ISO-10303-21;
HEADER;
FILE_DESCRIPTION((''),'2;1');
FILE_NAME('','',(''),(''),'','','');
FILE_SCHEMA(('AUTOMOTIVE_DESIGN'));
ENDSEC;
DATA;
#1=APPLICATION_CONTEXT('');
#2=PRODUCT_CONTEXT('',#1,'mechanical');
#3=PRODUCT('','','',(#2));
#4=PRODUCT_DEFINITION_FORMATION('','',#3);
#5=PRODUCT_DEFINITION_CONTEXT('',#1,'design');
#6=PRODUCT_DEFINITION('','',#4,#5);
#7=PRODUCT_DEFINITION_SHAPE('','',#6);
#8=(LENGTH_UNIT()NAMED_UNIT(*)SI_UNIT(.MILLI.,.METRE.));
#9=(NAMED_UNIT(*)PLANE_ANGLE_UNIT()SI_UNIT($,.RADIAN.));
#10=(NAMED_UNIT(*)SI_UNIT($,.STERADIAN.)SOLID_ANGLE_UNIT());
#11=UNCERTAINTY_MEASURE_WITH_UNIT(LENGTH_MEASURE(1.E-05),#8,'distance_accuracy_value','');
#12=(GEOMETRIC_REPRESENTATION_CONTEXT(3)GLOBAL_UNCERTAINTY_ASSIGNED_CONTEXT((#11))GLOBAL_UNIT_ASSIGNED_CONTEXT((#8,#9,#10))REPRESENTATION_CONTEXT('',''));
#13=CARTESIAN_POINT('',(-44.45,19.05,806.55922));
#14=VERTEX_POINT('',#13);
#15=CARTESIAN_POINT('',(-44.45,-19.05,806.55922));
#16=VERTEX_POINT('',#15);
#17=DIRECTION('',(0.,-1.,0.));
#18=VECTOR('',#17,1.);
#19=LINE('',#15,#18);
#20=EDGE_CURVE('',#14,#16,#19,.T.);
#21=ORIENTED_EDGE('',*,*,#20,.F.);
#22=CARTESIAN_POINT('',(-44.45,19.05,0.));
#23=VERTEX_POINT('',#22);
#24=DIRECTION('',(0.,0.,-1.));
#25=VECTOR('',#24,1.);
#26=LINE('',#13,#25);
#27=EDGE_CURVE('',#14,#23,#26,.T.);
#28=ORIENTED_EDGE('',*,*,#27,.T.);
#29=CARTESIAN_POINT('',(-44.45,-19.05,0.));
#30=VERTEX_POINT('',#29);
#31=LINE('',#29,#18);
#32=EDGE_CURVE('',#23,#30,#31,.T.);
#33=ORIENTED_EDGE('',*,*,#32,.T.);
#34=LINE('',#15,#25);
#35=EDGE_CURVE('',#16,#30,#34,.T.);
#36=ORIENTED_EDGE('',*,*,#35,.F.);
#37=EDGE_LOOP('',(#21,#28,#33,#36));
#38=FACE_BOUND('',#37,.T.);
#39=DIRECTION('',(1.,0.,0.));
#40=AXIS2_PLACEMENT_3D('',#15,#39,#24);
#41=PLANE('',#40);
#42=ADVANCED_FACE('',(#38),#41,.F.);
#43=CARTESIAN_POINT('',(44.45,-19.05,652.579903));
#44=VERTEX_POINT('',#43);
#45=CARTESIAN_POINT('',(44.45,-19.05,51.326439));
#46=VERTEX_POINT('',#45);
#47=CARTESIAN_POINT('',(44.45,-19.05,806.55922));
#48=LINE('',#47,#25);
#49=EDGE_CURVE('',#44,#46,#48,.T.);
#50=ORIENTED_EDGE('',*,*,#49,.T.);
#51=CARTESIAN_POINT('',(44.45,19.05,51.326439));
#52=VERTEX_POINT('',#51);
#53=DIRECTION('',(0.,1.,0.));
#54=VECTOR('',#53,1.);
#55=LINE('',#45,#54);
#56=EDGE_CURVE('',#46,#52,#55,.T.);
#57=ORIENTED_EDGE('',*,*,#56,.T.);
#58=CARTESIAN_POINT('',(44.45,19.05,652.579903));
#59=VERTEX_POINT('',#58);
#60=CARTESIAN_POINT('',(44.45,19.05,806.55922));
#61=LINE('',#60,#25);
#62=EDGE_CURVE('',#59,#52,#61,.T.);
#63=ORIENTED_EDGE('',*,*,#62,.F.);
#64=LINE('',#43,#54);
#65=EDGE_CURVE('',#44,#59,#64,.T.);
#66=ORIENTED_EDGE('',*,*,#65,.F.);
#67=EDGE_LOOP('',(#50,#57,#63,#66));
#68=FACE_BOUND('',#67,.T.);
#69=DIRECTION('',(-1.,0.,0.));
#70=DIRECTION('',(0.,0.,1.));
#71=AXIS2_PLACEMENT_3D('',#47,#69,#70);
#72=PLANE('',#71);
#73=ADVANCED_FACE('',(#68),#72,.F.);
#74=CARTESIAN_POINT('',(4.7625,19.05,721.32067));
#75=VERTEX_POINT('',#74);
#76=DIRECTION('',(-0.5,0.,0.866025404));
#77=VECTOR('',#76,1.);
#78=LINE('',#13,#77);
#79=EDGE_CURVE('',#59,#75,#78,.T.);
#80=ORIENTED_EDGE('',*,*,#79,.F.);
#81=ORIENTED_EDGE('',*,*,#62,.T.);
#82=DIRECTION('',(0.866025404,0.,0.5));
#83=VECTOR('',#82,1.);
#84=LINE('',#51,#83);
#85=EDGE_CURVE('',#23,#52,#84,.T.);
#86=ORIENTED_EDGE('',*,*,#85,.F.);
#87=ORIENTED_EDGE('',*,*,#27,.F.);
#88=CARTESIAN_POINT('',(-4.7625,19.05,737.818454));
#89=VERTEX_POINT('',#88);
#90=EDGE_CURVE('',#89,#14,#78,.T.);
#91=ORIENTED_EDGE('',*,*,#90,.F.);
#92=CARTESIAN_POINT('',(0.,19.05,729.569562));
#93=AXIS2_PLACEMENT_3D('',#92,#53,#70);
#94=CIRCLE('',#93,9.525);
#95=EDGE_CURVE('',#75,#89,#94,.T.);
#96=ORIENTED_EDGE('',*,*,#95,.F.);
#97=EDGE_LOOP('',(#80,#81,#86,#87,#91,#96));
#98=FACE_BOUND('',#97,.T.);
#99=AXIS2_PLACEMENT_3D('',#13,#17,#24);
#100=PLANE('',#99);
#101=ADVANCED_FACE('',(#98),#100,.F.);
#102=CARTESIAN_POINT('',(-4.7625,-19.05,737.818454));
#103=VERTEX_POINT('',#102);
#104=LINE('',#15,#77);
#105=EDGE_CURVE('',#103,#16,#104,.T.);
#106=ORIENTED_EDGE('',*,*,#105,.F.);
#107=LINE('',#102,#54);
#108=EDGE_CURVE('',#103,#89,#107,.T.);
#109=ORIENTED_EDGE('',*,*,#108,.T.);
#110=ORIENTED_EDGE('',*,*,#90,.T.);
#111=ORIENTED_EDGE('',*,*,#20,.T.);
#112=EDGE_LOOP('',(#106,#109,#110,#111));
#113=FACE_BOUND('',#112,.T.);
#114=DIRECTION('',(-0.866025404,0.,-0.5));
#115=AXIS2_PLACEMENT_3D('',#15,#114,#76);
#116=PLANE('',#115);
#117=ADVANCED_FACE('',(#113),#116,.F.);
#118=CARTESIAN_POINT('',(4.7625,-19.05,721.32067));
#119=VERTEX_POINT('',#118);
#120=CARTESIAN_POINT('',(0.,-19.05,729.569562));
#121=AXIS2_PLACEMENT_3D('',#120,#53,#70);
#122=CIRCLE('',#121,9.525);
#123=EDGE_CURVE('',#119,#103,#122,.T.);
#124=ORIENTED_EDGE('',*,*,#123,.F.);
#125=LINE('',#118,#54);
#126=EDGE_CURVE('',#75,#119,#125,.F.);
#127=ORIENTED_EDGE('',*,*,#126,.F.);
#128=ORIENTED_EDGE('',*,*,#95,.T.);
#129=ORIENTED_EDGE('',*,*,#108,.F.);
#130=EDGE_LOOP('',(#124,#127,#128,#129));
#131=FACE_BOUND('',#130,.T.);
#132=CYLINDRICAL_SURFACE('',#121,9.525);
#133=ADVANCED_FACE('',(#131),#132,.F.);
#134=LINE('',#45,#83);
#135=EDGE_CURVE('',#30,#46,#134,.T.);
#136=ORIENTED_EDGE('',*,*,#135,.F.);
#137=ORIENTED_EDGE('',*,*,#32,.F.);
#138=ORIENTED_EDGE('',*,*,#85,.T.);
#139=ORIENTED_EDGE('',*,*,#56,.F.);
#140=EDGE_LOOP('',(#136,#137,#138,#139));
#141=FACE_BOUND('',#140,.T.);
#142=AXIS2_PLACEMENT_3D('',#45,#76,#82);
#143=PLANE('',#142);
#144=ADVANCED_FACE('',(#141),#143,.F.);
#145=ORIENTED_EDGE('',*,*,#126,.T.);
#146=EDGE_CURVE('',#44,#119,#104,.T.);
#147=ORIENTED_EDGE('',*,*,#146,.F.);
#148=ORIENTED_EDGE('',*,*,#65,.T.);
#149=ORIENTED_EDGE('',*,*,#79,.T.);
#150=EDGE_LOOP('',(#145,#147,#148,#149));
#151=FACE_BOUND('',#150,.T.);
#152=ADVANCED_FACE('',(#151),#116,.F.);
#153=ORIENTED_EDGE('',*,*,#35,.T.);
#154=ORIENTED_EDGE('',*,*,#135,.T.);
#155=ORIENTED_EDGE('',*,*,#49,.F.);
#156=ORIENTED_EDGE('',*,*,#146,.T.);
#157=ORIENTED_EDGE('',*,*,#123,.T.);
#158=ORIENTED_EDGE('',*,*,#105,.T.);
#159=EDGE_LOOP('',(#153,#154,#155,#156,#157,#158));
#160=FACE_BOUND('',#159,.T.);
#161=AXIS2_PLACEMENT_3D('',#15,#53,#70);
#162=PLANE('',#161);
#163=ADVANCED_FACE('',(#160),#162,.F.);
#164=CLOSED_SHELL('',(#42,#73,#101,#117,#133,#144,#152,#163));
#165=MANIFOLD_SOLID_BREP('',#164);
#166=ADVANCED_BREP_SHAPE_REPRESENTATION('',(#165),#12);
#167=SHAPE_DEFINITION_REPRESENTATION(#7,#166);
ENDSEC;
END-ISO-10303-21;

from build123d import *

# Parameters (mm, degrees)
SKETCH1_W           = 88.9
SKETCH1_H           = 38.1
BOSS_EXTRUDE1_DEPTH = 806.55922
CUT_EXTRUDE1_DEPTH  = 39.1
SKETCH3_R           = 9.525
CUT_EXTRUDE2_DEPTH  = 39.1


with BuildPart() as part:
    # Sketch1 → Boss-Extrude1 (new body)
    with BuildSketch(Plane.XY):
        Rectangle(SKETCH1_W, SKETCH1_H)
    extrude(amount=BOSS_EXTRUDE1_DEPTH)

    # Sketch2 → Cut-Extrude1 (cut, through all)
    with BuildSketch(Plane(origin=(0, 19.05, 0), x_dir=(1, 0, 0), z_dir=(0, 1, 0))):
        Polygon((-44.45, 0), (44.45, 0), (44.45, -51.326438931), align=None)
        Polygon((-44.45, -806.55922), (44.45, -652.579903207), (44.45, -806.55922), align=None)
    extrude(amount=-CUT_EXTRUDE1_DEPTH, mode=Mode.SUBTRACT)

    # Sketch3 → Cut-Extrude2 (cut, through all)
    with BuildSketch(Plane(origin=(0, 19.05, 0), x_dir=(1, 0, 0), z_dir=(0, 1, 0))):
        with Locations((0, -729.569561604)):
            Circle(SKETCH3_R)
    extrude(amount=-CUT_EXTRUDE2_DEPTH, mode=Mode.SUBTRACT)


solid = part.part
